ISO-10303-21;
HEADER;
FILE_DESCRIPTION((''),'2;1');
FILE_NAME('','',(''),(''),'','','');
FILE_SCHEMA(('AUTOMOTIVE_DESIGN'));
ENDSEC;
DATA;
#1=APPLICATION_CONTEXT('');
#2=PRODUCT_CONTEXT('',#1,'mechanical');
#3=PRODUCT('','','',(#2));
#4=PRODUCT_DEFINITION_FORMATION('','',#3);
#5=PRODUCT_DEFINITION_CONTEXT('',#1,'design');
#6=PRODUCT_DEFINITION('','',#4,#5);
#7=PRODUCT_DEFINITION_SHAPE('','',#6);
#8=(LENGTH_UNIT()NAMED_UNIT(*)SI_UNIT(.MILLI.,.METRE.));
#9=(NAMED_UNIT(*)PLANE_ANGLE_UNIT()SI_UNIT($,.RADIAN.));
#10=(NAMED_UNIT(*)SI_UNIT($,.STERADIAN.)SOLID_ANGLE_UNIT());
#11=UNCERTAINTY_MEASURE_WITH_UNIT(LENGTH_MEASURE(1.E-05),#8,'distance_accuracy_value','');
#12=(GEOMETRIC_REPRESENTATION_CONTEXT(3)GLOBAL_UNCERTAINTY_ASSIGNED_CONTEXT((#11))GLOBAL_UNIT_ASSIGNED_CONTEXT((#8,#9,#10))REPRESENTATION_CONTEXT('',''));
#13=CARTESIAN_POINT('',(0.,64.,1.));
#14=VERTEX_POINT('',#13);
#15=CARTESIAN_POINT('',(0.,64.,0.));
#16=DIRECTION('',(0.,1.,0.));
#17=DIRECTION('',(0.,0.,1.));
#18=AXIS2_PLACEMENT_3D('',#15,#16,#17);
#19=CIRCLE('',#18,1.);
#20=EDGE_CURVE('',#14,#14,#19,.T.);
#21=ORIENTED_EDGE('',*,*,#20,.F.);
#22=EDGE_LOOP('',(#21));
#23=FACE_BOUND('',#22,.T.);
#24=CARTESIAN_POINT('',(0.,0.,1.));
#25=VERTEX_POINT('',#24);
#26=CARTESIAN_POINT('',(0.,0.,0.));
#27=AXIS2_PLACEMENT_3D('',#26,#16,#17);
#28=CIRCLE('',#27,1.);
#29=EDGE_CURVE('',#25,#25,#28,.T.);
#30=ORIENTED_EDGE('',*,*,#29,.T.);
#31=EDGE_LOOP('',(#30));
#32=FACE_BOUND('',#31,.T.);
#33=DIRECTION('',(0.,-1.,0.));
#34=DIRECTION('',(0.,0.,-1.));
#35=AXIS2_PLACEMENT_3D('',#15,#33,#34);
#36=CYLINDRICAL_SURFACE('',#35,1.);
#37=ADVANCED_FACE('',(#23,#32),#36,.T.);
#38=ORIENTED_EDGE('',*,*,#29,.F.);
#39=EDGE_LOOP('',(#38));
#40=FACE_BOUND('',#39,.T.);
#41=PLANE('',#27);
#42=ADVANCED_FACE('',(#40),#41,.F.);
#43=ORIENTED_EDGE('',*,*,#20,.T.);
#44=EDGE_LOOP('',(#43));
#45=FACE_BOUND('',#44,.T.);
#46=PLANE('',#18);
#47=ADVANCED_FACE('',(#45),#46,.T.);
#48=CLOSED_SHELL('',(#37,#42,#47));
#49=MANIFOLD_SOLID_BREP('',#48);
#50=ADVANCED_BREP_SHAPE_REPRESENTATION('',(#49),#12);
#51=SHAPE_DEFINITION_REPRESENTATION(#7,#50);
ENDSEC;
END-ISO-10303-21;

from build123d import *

# Parameters (mm, degrees)
SKETCH_1_R      = 1
EXTRUDE_1_DEPTH = 64


with BuildPart() as part:
    # 草图1 → 凸台-拉伸1 (new body)
    with BuildSketch(Plane(origin=(0, 0, 0), x_dir=(1, 0, 0), z_dir=(0, 1, 0))):
        with Locations(Location((0, 0, 0), (0, 0, 270))):
            Circle(SKETCH_1_R)
    extrude(amount=EXTRUDE_1_DEPTH)


solid = part.part
